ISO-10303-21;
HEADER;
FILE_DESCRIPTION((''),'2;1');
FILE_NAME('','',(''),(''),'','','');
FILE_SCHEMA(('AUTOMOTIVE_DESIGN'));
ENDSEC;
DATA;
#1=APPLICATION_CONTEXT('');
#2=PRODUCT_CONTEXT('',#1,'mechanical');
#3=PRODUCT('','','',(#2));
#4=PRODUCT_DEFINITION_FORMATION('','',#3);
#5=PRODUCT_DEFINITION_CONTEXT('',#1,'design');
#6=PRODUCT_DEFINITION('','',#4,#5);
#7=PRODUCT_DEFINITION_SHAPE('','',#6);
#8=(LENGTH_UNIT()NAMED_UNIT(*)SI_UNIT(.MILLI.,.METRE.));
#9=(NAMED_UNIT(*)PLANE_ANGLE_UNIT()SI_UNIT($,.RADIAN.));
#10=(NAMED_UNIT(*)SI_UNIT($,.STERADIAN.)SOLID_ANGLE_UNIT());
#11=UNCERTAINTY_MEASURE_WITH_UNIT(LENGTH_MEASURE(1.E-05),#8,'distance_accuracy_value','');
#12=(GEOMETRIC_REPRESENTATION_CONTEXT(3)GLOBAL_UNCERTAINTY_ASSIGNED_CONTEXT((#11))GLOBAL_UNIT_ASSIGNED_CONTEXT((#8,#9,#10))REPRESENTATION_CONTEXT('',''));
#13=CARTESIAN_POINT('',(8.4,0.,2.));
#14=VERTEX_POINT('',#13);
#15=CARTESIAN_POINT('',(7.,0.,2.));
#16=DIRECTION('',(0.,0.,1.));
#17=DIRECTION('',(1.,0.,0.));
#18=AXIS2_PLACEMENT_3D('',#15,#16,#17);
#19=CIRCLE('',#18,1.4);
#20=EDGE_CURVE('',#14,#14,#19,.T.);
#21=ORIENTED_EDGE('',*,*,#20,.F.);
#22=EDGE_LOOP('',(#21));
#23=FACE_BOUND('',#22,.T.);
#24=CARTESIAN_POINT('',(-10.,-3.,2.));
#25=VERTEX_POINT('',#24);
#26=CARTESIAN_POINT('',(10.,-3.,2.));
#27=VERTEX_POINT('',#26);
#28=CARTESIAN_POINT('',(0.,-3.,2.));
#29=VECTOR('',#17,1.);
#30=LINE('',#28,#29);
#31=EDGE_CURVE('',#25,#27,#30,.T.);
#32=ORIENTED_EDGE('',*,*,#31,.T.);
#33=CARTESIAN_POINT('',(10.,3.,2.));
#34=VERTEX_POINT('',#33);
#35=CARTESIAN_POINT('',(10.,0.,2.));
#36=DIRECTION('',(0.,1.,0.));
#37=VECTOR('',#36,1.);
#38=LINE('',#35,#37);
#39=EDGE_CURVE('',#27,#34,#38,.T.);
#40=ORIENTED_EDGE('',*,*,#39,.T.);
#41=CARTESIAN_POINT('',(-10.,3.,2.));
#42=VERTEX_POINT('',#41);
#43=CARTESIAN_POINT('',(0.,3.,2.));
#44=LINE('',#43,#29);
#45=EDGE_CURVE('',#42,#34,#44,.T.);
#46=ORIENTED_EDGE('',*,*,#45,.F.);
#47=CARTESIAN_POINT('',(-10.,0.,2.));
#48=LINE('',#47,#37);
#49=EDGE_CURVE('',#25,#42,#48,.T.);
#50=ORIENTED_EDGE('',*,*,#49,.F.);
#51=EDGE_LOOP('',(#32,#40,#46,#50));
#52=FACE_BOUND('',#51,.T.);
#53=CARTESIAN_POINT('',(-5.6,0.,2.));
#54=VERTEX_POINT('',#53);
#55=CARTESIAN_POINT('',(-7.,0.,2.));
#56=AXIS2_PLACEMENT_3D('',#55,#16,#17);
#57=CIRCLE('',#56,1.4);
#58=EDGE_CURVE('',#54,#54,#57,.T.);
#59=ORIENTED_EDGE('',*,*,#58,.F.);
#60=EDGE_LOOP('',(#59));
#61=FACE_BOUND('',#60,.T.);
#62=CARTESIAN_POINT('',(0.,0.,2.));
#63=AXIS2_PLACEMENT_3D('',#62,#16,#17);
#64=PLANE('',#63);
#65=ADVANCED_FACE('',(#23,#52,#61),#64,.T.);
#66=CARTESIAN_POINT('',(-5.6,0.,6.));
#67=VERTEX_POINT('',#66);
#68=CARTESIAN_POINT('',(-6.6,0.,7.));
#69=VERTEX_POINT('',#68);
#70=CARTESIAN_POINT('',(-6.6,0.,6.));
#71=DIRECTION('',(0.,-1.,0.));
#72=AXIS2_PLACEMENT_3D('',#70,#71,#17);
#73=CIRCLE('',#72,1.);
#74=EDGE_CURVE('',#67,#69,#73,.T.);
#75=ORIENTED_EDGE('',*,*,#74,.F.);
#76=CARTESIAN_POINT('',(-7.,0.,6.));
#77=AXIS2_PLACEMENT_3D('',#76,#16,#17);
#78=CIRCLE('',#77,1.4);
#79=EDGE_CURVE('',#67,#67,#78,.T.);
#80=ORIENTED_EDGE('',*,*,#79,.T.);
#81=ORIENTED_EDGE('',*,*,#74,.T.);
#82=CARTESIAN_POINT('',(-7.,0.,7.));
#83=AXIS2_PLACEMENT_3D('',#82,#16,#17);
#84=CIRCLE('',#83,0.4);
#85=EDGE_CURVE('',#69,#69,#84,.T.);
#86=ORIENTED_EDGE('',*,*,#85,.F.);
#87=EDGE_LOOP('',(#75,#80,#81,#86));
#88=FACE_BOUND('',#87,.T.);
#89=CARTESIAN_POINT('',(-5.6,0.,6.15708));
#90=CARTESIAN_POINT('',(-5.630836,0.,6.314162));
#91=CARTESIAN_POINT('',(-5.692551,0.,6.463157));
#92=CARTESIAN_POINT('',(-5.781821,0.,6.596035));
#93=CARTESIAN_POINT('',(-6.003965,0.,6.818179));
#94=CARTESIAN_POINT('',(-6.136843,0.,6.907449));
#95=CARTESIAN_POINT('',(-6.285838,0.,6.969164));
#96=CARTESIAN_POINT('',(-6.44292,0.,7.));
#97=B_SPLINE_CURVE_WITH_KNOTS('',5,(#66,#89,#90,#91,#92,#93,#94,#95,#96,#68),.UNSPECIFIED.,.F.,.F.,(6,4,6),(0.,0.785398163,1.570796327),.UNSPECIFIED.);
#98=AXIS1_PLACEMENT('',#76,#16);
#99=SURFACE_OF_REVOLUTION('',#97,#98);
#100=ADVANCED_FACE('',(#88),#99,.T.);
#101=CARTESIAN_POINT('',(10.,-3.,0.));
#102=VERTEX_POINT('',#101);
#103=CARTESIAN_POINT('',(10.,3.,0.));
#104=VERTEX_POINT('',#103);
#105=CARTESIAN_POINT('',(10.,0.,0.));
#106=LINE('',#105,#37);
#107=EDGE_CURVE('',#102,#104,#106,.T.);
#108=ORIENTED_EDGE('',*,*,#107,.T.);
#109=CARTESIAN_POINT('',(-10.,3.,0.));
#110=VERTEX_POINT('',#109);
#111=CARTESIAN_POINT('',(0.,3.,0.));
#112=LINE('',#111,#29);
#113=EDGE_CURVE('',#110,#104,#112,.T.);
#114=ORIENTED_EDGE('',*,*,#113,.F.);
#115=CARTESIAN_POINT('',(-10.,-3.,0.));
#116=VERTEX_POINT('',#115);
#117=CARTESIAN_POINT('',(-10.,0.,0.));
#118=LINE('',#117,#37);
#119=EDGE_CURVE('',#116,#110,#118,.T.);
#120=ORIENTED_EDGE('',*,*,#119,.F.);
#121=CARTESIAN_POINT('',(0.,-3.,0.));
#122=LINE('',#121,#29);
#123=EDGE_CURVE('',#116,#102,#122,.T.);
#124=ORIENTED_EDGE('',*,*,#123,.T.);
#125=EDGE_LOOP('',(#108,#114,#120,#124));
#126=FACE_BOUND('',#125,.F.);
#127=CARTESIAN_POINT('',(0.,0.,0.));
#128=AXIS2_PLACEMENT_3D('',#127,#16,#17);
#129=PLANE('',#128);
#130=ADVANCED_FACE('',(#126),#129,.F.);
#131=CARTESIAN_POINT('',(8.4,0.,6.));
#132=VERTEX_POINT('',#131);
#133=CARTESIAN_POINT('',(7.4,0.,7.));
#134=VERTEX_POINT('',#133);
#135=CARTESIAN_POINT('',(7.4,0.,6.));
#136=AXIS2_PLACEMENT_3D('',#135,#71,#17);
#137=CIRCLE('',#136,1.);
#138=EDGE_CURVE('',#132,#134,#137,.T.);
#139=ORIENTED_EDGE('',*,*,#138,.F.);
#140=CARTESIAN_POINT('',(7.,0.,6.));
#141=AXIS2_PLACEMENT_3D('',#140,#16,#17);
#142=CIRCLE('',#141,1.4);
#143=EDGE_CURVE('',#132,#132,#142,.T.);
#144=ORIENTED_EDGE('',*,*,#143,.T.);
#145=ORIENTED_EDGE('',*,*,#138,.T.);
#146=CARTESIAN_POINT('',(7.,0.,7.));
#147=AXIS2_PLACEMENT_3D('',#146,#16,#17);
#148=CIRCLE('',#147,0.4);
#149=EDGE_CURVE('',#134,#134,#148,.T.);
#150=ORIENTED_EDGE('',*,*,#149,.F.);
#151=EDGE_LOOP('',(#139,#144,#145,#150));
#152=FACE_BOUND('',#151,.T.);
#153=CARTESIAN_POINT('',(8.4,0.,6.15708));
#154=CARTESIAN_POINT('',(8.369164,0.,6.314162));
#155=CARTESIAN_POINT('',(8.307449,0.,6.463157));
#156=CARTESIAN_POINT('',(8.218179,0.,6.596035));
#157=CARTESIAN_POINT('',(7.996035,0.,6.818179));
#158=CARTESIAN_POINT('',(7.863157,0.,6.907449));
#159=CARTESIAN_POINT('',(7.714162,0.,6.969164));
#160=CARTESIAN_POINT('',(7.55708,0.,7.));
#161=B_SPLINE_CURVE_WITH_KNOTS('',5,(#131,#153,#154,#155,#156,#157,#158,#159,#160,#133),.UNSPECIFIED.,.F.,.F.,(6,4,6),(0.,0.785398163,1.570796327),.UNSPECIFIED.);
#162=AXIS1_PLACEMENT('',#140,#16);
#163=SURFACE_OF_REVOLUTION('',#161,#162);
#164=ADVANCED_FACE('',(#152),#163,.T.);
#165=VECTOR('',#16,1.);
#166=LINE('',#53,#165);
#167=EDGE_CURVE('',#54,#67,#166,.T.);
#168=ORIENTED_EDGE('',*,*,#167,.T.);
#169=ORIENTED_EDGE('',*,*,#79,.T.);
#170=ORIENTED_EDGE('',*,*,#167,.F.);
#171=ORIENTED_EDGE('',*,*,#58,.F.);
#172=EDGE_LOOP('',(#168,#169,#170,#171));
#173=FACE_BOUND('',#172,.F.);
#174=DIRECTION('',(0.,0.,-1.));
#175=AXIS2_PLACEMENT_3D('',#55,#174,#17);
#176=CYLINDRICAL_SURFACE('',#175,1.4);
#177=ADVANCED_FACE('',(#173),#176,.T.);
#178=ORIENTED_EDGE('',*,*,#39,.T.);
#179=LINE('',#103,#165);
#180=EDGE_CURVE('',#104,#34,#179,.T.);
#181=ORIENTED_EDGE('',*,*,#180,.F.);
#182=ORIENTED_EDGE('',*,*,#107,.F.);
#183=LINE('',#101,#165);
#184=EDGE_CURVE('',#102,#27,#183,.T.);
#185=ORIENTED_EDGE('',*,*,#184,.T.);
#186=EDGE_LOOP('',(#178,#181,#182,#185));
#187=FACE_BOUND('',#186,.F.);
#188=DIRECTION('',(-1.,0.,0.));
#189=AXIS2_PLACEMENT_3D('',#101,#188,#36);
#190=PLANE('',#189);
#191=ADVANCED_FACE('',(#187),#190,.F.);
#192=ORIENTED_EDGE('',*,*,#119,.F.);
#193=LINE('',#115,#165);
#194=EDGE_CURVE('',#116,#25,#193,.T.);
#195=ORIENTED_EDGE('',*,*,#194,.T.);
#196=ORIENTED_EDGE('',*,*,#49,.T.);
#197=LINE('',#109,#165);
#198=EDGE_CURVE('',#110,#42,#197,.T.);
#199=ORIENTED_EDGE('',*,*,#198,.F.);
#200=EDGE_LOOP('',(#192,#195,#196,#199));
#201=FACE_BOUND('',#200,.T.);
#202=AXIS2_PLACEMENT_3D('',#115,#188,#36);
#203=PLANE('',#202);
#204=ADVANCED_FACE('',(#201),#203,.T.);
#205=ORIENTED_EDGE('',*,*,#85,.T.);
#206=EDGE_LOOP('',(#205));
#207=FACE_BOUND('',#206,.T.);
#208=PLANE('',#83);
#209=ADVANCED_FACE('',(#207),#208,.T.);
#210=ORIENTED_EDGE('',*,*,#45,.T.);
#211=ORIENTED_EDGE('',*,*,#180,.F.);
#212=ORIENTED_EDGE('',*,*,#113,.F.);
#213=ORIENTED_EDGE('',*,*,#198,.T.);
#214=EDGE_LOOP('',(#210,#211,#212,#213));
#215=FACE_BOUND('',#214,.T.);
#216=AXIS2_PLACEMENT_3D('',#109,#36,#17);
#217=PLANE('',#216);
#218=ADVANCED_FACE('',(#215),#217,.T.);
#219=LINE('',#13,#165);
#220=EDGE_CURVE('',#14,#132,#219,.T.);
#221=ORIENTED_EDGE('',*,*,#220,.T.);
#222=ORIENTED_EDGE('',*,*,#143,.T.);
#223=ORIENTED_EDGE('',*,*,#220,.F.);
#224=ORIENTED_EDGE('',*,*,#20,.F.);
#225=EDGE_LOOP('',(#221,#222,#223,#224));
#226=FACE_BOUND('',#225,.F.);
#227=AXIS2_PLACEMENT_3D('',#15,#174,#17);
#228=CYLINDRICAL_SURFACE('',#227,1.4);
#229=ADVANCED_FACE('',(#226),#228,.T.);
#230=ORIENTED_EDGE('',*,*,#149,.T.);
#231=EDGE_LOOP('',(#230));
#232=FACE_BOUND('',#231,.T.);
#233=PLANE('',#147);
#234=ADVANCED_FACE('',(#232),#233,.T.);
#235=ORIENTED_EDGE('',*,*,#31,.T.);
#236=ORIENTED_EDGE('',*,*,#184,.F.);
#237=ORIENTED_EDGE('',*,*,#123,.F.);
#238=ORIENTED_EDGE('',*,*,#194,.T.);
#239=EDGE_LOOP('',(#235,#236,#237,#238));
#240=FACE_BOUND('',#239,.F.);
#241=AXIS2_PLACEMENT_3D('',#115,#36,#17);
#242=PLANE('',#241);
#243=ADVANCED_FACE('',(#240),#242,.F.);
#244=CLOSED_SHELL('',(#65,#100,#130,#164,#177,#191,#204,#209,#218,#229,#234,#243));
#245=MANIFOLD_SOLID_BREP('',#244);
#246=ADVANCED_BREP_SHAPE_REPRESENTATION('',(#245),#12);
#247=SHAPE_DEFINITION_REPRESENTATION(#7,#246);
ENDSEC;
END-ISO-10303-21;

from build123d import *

# Parameters (mm, degrees)
F0_W     = 20
F0_H     = 6
F1_DEPTH = 2
F2_R     = 1.4
F3_DEPTH = 5
F4_R     = 1


with BuildPart() as f1:
    # F0 (on Top) → F1 (new body)
    with BuildSketch(Plane.XY):
        Rectangle(F0_W, F0_H)
    extrude(amount=F1_DEPTH)

    # F2 (on face) → F3 (join)
    with BuildSketch(Plane.XY.offset(2)):
        with Locations((-7, 0)):
            Circle(F2_R)
        with Locations((7, 0)):
            Circle(F2_R)
    extrude(amount=F3_DEPTH)

    # F4
    f4_edges = [f1.edges().sort_by_distance(p)[0] for p in [
        (-8.4, 0, 7),
        (5.6, 0, 7),
    ]]
    fillet(f4_edges, radius=F4_R)


solid = f1.part
